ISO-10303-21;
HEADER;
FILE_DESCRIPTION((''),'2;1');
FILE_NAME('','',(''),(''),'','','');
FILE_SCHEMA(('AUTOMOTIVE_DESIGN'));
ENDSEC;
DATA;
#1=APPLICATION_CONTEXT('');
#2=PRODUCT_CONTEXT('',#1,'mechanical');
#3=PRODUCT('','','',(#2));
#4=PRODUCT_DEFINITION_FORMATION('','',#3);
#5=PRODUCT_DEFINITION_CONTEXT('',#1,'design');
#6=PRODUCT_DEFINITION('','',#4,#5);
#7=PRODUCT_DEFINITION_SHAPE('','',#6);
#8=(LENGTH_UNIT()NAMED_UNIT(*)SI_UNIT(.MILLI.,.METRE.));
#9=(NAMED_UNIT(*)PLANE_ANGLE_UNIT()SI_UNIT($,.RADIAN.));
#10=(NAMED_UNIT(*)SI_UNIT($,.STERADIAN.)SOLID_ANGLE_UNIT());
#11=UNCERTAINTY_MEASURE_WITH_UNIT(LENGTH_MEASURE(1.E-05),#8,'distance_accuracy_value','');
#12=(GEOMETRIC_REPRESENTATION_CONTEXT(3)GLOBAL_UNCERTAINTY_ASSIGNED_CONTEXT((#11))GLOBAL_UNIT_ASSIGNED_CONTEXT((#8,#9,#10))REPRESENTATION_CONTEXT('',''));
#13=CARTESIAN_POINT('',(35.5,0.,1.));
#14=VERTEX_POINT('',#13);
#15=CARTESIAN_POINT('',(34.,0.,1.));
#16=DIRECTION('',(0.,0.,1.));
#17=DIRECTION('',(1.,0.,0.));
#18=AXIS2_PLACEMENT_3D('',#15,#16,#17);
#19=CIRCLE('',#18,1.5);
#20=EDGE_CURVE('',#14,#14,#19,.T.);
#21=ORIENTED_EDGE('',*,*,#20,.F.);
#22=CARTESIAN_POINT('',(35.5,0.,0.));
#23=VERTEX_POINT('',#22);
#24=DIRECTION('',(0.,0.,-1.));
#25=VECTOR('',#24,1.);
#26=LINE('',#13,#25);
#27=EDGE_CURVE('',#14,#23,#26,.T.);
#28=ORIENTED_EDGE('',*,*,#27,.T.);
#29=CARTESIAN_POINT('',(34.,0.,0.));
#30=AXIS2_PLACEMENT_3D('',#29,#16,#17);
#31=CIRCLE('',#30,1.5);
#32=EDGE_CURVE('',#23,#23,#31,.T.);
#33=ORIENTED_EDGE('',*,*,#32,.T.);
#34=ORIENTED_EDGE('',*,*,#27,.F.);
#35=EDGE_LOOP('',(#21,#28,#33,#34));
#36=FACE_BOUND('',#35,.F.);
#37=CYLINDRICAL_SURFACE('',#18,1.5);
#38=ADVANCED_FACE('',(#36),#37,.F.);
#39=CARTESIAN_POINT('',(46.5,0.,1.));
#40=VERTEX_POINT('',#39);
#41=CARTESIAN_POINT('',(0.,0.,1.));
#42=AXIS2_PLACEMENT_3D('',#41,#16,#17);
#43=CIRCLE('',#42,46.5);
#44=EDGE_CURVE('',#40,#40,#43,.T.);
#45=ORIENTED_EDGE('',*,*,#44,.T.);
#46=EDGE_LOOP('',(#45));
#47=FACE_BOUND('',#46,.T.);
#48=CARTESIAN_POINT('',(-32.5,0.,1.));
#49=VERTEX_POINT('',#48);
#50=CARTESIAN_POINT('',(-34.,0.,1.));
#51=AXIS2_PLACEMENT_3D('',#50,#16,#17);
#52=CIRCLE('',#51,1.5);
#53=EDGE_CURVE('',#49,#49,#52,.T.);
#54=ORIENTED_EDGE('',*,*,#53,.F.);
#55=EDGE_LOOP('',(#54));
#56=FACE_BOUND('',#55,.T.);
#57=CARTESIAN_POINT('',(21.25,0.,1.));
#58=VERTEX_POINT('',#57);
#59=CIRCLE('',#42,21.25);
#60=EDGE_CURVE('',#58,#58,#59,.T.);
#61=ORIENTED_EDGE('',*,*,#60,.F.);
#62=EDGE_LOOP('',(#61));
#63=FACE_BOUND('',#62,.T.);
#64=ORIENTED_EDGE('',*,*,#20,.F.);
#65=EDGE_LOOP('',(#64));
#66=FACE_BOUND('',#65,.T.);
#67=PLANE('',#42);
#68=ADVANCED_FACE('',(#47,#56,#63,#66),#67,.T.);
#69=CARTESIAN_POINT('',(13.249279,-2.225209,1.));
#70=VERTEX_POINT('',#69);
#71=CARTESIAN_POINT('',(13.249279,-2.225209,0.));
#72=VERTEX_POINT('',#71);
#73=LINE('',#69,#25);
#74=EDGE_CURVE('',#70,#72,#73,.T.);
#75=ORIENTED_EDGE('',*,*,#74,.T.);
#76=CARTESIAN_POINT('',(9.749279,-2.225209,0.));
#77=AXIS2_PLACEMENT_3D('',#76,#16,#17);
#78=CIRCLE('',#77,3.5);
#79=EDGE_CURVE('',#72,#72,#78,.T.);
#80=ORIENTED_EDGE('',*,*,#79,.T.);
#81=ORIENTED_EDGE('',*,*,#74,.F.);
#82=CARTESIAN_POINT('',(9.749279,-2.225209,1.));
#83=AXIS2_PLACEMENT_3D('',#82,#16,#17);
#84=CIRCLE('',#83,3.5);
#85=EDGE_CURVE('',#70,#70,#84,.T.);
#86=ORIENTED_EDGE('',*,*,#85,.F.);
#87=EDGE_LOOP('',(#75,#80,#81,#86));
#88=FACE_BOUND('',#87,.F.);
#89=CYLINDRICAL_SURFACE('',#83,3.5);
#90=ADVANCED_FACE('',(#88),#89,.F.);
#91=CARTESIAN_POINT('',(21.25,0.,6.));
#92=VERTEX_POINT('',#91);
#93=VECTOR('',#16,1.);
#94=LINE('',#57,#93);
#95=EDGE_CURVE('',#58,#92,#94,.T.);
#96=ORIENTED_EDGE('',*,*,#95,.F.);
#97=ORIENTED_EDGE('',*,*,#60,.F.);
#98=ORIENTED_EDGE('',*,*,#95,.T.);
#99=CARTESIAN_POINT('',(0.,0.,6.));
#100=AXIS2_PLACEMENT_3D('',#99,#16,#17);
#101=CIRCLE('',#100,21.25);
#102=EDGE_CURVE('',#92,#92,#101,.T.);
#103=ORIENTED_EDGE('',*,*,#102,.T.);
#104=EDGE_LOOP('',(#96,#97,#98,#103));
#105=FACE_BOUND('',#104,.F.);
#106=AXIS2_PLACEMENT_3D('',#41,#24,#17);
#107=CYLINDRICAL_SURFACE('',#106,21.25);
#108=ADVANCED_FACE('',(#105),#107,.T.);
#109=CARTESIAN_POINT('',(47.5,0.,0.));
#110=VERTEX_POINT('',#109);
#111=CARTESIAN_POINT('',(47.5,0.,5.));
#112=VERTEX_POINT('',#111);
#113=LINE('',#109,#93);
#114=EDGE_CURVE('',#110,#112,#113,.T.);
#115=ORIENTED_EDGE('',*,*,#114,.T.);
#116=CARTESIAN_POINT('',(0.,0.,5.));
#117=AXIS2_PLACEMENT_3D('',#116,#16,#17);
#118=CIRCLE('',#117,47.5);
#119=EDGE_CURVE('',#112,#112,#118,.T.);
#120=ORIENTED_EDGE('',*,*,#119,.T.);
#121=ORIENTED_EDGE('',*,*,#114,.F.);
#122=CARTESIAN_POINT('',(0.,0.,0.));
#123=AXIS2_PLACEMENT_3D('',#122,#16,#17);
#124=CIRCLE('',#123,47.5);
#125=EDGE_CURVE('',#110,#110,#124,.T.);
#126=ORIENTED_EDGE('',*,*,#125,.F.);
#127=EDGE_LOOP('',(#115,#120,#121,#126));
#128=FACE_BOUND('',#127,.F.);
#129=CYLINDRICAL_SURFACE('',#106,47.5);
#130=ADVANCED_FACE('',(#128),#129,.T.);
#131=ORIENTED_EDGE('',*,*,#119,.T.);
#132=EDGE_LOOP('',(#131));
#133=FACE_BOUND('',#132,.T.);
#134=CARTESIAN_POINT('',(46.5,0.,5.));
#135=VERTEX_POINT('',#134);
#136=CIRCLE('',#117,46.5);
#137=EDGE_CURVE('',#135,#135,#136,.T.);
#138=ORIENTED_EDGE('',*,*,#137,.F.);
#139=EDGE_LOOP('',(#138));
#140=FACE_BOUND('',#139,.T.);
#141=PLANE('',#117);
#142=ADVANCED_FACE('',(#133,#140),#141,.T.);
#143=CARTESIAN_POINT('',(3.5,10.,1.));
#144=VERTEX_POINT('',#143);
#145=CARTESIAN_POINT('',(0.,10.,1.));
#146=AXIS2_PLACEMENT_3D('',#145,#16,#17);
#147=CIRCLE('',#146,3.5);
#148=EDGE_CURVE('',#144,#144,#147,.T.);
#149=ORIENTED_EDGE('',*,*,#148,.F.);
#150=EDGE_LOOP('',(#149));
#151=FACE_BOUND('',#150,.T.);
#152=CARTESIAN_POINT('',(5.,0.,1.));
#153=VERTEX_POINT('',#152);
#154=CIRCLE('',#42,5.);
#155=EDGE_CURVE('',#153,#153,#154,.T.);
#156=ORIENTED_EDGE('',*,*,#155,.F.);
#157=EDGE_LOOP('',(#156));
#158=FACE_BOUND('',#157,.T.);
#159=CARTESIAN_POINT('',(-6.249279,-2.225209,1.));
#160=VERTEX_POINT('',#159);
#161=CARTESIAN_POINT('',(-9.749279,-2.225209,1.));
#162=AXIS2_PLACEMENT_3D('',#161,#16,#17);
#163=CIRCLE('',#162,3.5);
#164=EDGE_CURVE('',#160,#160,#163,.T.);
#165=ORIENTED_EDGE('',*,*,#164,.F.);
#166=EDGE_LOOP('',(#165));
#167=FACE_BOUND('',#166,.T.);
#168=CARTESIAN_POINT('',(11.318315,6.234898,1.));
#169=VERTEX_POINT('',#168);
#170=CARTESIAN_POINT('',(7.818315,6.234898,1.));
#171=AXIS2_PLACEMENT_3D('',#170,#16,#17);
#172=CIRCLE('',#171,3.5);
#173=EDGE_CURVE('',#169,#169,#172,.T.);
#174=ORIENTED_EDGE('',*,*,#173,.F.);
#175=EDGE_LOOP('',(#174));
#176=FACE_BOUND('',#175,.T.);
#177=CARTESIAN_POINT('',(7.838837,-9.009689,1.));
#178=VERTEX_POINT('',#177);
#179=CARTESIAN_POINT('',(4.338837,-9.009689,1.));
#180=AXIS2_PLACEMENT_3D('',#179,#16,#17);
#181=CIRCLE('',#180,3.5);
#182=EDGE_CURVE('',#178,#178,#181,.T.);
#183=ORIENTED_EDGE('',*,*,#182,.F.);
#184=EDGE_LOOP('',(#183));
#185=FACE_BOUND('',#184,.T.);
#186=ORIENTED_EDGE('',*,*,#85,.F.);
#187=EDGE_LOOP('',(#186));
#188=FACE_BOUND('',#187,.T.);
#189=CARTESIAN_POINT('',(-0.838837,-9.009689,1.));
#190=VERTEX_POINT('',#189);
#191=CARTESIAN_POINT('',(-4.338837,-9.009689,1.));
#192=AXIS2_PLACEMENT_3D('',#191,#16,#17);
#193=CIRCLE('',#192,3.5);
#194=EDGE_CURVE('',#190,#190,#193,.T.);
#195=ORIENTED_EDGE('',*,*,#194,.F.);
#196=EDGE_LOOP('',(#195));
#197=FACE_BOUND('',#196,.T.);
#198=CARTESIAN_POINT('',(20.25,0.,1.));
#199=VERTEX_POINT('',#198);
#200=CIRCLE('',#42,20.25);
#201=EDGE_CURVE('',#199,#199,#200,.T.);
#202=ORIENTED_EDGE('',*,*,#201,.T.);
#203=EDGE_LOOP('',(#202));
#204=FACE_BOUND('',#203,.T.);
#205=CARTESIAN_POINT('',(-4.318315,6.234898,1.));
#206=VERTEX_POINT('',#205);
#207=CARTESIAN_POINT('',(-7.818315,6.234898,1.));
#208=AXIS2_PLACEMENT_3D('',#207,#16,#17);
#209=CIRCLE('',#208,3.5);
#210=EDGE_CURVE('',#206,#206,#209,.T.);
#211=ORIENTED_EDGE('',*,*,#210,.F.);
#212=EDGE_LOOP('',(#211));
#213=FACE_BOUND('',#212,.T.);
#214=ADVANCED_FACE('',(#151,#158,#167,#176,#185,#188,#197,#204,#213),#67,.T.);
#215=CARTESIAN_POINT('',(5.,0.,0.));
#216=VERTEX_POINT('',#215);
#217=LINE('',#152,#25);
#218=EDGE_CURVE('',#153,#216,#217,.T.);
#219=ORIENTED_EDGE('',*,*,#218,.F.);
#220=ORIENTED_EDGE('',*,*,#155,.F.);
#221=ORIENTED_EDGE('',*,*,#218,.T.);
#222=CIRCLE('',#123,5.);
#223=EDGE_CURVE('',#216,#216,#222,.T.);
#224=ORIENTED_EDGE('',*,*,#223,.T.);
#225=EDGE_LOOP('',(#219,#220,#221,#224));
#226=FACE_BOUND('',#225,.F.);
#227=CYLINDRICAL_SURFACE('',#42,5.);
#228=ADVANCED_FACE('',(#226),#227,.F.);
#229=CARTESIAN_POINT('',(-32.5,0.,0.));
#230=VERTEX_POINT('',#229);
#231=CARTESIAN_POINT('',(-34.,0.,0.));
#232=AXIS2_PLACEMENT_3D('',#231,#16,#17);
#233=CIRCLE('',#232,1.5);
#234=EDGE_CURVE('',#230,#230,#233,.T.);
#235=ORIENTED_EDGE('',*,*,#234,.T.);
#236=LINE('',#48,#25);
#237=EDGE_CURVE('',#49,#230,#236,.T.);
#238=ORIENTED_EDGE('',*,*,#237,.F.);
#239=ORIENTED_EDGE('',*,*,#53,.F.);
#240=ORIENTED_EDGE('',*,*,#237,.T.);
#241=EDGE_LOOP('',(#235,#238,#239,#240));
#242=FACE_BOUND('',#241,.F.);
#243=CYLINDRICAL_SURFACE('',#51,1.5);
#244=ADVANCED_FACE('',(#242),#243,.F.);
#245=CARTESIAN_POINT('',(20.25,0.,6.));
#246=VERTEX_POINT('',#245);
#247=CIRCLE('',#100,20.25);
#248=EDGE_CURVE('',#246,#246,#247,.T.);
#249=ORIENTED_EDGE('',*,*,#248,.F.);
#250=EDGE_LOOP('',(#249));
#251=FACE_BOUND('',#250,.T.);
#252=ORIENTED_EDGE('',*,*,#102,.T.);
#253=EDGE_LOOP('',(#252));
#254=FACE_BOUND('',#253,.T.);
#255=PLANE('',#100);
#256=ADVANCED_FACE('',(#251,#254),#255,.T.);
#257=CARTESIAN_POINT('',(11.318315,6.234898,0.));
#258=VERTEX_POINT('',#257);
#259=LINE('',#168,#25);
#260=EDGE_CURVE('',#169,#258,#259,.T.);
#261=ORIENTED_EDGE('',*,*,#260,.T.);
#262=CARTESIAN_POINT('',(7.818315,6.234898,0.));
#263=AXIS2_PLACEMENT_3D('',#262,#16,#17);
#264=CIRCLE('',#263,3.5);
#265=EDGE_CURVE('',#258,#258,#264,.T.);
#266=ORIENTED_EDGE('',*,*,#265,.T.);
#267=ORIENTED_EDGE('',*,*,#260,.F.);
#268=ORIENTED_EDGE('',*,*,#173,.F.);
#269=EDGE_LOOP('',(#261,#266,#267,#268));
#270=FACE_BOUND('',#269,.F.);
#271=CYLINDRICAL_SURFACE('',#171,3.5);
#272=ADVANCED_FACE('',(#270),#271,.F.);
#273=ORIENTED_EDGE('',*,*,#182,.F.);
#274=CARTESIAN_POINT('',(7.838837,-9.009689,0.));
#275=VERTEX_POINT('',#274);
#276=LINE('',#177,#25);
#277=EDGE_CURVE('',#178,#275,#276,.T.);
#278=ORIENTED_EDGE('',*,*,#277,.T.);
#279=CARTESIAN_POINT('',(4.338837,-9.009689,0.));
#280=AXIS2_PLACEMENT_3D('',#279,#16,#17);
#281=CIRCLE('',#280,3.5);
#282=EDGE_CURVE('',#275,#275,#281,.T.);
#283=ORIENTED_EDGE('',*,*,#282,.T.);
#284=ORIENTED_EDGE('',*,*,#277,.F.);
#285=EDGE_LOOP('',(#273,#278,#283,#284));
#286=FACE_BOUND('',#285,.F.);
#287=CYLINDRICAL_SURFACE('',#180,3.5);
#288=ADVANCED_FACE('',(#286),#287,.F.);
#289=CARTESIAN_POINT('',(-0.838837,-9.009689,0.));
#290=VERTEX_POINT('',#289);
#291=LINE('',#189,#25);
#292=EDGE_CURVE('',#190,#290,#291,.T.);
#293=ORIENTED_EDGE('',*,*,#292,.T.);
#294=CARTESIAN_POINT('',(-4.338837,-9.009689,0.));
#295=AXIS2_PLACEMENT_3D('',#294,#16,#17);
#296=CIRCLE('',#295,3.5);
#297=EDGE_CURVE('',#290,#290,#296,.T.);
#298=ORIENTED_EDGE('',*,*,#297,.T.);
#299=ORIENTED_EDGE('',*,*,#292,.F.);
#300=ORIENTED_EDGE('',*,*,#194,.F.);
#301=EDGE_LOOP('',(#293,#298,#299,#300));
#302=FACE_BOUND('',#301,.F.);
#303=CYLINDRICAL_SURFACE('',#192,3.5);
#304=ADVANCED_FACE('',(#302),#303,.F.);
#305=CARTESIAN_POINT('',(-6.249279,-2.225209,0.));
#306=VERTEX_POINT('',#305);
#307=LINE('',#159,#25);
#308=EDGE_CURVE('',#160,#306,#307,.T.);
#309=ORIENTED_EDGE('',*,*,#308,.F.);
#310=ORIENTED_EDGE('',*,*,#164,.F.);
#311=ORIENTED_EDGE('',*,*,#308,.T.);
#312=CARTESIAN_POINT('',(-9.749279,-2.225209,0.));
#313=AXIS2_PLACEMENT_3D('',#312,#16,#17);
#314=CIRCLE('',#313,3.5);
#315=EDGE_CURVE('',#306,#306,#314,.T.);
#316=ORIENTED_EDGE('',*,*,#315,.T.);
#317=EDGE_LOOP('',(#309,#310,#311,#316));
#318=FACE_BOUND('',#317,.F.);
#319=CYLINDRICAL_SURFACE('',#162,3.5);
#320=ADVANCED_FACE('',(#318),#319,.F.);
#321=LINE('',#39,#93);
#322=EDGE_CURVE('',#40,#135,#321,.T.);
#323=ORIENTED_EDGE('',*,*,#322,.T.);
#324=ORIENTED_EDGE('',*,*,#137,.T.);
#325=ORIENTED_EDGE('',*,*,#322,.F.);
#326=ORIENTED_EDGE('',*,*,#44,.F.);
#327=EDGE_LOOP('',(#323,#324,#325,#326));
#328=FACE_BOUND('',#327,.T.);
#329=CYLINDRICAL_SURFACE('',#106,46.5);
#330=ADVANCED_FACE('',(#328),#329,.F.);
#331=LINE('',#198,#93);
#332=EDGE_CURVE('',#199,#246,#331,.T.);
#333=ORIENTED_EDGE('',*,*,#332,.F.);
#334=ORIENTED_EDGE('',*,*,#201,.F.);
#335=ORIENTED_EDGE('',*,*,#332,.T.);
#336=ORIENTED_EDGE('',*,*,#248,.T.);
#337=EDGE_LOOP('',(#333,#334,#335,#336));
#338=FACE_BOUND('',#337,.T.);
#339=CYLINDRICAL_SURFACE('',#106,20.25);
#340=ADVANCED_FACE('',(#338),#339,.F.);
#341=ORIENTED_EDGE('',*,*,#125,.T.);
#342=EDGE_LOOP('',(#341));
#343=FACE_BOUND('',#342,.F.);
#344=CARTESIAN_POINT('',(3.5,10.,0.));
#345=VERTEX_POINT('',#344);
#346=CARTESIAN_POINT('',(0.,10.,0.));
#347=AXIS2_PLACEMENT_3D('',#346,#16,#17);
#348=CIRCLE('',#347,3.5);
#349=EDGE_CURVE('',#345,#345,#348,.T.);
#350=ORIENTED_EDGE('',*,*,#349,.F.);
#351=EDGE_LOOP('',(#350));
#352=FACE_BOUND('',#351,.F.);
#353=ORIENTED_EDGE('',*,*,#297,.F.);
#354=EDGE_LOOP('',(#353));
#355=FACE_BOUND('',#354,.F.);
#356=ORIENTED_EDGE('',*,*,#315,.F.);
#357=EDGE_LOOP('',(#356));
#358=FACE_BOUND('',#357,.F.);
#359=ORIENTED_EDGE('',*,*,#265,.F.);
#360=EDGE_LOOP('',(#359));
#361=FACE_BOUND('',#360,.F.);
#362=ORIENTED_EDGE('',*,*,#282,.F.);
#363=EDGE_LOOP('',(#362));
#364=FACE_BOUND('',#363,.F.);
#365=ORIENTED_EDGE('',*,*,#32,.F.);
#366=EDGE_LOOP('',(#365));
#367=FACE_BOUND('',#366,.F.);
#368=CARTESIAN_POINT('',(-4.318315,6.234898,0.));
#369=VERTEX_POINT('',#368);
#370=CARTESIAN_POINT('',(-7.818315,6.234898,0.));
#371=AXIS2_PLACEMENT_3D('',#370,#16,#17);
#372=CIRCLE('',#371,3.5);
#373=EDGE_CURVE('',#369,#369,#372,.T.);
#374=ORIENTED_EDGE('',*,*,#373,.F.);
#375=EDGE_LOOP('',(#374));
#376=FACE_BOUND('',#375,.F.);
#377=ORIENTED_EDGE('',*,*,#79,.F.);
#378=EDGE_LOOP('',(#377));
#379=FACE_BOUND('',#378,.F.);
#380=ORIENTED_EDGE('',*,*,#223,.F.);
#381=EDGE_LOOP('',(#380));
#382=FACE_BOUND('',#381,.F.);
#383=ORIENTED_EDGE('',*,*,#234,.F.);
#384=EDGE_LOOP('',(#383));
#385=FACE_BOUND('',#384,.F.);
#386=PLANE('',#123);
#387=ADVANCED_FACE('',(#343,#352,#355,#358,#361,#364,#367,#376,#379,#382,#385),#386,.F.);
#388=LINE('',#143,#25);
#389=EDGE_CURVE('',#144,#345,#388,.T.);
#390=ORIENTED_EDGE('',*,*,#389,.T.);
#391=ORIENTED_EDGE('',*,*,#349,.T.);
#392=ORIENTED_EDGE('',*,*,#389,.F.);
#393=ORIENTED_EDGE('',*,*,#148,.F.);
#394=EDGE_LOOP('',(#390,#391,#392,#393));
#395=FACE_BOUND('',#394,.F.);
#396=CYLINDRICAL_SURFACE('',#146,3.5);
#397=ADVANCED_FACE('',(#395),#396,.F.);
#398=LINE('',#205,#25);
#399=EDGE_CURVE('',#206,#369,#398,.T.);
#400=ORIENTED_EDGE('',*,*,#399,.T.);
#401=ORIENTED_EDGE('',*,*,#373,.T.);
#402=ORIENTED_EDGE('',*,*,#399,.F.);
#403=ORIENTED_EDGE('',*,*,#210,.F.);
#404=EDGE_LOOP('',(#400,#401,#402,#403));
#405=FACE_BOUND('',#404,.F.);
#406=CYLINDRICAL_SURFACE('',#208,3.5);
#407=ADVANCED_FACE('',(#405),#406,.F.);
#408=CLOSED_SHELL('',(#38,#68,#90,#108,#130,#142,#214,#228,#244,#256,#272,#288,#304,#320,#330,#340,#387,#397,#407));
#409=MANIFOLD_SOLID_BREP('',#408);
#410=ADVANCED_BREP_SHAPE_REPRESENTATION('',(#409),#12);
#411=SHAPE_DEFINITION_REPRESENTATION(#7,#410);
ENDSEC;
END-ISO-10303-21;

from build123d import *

# Parameters (mm, degrees)
F0_R     = 47.5
F1_DEPTH = 1
F2_R     = 47.5
F2_R_2   = 46.5
F3_DEPTH = 4
F4_R     = 21.25
F4_R_2   = 20.25
F5_DEPTH = 5
F6_R     = 3.5
F6_R_2   = 5
F7_DEPTH = 25
F8_R     = 1.5
F9_DEPTH = 25


with BuildPart() as f1:
    # F0 (on Top) → F1 (new body)
    with BuildSketch(Plane.XY):
        Circle(F0_R)
    extrude(amount=F1_DEPTH)

    # F2 (on face) → F3 (join)
    with BuildSketch(Plane.XY.offset(1)):
        Circle(F2_R)
        Circle(F2_R_2, mode=Mode.SUBTRACT)
    extrude(amount=F3_DEPTH)

    # F4 (on face) → F5 (join)
    with BuildSketch(Plane.XY.offset(1)):
        Circle(F4_R)
        Circle(F4_R_2, mode=Mode.SUBTRACT)
    extrude(amount=F5_DEPTH)

    # F6 (on face) → F7 (cut)
    with BuildSketch(Plane.XY.offset(1)):
        with Locations((-7.818315, 6.234898)):
            Circle(F6_R)
        with Locations((-9.749279, -2.225209)):
            Circle(F6_R)
        with Locations((-4.338837, -9.009689)):
            Circle(F6_R)
        with Locations((4.338837, -9.009689)):
            Circle(F6_R)
        with Locations((9.749279, -2.225209)):
            Circle(F6_R)
        with Locations((7.818315, 6.234898)):
            Circle(F6_R)
        with Locations((0, 10)):
            Circle(F6_R)
        Circle(F6_R_2)
    extrude(amount=-F7_DEPTH, mode=Mode.SUBTRACT)

    # F8 (on face) → F9 (cut)
    with BuildSketch(Plane.XY.offset(1)):
        with Locations((-34, 0)):
            Circle(F8_R)
        with Locations((34, 0)):
            Circle(F8_R)
    extrude(amount=-F9_DEPTH, mode=Mode.SUBTRACT)


with BuildPart() as f10_1:
    # F10: copy of F1
    add(f1.part)


solid = f1.part
